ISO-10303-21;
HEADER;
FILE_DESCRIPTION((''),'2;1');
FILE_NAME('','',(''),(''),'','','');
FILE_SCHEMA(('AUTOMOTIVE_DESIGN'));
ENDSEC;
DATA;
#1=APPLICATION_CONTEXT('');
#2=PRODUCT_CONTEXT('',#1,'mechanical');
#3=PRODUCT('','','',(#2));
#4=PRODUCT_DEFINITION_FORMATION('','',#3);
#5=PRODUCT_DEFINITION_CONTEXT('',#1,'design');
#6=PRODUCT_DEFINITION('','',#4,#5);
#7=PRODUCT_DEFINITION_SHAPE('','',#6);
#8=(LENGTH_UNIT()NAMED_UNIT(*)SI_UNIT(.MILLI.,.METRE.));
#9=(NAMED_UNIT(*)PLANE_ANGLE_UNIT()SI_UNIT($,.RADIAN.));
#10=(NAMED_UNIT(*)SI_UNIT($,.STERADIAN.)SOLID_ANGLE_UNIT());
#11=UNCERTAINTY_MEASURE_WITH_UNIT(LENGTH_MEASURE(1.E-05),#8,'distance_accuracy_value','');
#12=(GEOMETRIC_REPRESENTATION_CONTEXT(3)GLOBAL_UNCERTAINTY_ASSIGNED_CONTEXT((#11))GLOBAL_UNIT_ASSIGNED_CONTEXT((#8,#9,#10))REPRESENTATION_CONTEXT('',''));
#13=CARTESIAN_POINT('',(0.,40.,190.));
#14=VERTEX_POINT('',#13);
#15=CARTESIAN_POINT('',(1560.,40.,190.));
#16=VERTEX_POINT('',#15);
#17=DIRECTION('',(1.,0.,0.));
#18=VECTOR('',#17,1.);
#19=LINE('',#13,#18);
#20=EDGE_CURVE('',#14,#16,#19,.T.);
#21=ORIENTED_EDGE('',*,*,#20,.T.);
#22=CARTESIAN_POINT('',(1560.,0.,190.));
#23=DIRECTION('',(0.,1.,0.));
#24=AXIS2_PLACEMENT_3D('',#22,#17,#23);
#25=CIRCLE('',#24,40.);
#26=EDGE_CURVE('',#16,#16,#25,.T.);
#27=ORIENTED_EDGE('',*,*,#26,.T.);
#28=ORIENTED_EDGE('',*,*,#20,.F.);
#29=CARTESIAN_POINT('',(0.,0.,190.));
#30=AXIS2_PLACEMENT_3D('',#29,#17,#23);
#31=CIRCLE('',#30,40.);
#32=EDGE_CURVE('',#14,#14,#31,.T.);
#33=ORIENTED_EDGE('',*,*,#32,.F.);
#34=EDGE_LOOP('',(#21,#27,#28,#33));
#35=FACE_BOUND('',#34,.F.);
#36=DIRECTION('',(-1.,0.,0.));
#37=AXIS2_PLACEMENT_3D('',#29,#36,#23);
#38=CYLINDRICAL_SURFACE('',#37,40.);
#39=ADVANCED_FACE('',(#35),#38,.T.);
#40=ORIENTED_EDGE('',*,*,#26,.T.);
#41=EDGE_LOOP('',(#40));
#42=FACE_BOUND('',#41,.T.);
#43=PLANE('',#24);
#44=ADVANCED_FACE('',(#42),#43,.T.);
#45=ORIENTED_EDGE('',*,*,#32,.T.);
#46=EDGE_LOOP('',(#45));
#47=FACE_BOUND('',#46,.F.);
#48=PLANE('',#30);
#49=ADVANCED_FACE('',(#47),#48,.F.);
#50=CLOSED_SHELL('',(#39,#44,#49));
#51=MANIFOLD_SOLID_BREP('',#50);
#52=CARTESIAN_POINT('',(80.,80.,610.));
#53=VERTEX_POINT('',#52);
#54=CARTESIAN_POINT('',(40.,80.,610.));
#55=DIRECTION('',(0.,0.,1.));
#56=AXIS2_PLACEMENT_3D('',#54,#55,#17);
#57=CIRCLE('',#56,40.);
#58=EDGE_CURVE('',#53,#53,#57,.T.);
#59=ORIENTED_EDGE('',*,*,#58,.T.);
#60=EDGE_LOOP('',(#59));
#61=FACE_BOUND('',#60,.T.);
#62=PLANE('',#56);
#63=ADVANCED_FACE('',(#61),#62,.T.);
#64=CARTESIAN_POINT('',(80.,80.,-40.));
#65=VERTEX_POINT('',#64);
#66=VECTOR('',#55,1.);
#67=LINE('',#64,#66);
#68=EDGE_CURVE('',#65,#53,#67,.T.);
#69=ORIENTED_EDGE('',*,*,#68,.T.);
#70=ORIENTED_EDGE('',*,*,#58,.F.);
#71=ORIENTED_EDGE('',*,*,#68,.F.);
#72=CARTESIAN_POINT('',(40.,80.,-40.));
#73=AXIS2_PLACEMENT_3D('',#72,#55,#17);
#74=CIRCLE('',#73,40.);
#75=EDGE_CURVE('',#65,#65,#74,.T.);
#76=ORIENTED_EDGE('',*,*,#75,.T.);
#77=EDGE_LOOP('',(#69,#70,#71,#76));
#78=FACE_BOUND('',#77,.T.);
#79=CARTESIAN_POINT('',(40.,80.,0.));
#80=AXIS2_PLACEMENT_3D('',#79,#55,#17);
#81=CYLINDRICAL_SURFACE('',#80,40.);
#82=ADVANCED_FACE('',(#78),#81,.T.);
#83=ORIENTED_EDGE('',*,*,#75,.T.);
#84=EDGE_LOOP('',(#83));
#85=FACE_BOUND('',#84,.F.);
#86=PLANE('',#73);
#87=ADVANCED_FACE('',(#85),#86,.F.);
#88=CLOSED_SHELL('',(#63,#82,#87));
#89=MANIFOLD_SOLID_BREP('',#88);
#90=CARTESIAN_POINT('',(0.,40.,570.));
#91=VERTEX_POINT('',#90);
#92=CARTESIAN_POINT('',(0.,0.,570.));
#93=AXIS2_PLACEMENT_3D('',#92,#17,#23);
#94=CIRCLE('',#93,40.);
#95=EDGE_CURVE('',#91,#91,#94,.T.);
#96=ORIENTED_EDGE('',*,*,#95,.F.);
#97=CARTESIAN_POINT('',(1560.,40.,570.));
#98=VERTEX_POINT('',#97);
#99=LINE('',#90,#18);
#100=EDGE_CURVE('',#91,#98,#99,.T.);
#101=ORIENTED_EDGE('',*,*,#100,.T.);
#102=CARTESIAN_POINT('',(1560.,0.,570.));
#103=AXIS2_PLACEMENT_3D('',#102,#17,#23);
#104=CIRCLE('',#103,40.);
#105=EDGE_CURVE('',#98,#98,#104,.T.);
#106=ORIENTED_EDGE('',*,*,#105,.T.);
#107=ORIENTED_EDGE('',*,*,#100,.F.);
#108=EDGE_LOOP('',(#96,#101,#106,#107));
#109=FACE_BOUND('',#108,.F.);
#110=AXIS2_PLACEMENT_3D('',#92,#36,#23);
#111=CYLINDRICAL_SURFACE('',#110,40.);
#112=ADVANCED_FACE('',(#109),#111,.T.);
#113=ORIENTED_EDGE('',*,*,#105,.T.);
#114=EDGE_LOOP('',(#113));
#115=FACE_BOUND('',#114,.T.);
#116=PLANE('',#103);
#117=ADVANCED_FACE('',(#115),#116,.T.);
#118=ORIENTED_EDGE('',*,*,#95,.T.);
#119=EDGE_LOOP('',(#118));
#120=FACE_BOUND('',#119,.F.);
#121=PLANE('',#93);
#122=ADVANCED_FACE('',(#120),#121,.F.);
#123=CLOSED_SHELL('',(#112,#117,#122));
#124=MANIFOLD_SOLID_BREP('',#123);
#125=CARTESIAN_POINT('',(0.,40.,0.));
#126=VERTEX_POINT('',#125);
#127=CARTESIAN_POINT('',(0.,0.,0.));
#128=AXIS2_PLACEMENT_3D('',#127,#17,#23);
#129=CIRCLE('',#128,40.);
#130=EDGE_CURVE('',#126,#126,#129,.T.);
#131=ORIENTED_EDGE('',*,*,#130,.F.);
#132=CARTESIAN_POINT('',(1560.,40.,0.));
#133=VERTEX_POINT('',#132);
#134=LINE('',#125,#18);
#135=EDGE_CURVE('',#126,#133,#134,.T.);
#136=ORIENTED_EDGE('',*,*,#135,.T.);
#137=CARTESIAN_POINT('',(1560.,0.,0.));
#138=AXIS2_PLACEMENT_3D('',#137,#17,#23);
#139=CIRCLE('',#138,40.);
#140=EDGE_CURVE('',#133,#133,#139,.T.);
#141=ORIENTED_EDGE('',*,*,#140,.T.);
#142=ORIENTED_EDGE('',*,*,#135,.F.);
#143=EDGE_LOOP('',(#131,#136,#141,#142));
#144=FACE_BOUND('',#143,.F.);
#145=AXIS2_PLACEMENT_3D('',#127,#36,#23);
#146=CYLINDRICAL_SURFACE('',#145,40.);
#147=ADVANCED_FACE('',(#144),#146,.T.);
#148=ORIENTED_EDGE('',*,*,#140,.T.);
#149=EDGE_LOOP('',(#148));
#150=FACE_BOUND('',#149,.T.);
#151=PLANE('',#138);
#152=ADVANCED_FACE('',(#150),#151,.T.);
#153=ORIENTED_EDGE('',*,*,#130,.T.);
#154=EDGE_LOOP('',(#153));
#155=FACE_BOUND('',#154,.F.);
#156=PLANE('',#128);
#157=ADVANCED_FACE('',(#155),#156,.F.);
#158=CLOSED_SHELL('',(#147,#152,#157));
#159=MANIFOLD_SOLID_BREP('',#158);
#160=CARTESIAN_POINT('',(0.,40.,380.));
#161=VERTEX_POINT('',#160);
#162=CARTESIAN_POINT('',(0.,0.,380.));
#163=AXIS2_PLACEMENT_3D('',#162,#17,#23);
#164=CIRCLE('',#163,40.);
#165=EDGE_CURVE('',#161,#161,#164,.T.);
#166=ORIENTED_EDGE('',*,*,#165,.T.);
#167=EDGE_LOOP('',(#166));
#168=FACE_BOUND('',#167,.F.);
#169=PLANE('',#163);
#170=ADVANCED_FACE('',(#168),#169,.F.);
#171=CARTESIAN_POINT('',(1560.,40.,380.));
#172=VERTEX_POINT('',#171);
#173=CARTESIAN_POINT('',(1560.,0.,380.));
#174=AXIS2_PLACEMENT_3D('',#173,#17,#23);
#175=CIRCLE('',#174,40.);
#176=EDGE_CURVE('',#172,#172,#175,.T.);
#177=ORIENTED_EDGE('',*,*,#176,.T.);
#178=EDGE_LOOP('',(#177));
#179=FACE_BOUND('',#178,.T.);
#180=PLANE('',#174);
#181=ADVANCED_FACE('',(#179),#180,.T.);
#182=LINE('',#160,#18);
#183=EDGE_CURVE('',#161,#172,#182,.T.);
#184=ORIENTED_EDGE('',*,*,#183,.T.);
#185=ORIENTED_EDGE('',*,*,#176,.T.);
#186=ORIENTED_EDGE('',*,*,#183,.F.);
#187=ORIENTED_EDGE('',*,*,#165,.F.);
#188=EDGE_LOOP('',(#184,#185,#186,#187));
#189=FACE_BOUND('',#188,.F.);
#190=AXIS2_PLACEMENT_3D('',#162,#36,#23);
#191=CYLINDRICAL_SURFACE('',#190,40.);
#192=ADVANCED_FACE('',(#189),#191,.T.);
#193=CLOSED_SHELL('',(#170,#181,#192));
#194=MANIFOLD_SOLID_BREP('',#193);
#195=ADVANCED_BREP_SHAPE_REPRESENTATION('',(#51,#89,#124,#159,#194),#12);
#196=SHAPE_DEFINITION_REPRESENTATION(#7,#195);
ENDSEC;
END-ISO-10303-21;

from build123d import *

# Parameters (mm, degrees)
F0_R          = 40
F1_DEPTH      = 1560
F2_R          = 40
F3_DEPTH      = 610
F3_DEPTH_BACK = 40


with BuildPart() as f1:
    # F0 (on Right) → F1 (new body)
    with BuildSketch(Plane.YZ):
        Circle(F0_R)
        with Locations((0, 570)):
            Circle(F0_R)
        with Locations((0, 190)):
            Circle(F0_R)
        with Locations((0, 380)):
            Circle(F0_R)
    extrude(amount=F1_DEPTH)


with BuildPart() as f3:
    # F2 (on Top) → F3 (new body, two sides)
    with BuildSketch(Plane.XY) as f3_sk:
        with Locations((40, 80)):
            Circle(F2_R)
    extrude(amount=F3_DEPTH)
    extrude(f3_sk.sketch, amount=-F3_DEPTH_BACK)


solid = Compound([f1.part, f3.part])
